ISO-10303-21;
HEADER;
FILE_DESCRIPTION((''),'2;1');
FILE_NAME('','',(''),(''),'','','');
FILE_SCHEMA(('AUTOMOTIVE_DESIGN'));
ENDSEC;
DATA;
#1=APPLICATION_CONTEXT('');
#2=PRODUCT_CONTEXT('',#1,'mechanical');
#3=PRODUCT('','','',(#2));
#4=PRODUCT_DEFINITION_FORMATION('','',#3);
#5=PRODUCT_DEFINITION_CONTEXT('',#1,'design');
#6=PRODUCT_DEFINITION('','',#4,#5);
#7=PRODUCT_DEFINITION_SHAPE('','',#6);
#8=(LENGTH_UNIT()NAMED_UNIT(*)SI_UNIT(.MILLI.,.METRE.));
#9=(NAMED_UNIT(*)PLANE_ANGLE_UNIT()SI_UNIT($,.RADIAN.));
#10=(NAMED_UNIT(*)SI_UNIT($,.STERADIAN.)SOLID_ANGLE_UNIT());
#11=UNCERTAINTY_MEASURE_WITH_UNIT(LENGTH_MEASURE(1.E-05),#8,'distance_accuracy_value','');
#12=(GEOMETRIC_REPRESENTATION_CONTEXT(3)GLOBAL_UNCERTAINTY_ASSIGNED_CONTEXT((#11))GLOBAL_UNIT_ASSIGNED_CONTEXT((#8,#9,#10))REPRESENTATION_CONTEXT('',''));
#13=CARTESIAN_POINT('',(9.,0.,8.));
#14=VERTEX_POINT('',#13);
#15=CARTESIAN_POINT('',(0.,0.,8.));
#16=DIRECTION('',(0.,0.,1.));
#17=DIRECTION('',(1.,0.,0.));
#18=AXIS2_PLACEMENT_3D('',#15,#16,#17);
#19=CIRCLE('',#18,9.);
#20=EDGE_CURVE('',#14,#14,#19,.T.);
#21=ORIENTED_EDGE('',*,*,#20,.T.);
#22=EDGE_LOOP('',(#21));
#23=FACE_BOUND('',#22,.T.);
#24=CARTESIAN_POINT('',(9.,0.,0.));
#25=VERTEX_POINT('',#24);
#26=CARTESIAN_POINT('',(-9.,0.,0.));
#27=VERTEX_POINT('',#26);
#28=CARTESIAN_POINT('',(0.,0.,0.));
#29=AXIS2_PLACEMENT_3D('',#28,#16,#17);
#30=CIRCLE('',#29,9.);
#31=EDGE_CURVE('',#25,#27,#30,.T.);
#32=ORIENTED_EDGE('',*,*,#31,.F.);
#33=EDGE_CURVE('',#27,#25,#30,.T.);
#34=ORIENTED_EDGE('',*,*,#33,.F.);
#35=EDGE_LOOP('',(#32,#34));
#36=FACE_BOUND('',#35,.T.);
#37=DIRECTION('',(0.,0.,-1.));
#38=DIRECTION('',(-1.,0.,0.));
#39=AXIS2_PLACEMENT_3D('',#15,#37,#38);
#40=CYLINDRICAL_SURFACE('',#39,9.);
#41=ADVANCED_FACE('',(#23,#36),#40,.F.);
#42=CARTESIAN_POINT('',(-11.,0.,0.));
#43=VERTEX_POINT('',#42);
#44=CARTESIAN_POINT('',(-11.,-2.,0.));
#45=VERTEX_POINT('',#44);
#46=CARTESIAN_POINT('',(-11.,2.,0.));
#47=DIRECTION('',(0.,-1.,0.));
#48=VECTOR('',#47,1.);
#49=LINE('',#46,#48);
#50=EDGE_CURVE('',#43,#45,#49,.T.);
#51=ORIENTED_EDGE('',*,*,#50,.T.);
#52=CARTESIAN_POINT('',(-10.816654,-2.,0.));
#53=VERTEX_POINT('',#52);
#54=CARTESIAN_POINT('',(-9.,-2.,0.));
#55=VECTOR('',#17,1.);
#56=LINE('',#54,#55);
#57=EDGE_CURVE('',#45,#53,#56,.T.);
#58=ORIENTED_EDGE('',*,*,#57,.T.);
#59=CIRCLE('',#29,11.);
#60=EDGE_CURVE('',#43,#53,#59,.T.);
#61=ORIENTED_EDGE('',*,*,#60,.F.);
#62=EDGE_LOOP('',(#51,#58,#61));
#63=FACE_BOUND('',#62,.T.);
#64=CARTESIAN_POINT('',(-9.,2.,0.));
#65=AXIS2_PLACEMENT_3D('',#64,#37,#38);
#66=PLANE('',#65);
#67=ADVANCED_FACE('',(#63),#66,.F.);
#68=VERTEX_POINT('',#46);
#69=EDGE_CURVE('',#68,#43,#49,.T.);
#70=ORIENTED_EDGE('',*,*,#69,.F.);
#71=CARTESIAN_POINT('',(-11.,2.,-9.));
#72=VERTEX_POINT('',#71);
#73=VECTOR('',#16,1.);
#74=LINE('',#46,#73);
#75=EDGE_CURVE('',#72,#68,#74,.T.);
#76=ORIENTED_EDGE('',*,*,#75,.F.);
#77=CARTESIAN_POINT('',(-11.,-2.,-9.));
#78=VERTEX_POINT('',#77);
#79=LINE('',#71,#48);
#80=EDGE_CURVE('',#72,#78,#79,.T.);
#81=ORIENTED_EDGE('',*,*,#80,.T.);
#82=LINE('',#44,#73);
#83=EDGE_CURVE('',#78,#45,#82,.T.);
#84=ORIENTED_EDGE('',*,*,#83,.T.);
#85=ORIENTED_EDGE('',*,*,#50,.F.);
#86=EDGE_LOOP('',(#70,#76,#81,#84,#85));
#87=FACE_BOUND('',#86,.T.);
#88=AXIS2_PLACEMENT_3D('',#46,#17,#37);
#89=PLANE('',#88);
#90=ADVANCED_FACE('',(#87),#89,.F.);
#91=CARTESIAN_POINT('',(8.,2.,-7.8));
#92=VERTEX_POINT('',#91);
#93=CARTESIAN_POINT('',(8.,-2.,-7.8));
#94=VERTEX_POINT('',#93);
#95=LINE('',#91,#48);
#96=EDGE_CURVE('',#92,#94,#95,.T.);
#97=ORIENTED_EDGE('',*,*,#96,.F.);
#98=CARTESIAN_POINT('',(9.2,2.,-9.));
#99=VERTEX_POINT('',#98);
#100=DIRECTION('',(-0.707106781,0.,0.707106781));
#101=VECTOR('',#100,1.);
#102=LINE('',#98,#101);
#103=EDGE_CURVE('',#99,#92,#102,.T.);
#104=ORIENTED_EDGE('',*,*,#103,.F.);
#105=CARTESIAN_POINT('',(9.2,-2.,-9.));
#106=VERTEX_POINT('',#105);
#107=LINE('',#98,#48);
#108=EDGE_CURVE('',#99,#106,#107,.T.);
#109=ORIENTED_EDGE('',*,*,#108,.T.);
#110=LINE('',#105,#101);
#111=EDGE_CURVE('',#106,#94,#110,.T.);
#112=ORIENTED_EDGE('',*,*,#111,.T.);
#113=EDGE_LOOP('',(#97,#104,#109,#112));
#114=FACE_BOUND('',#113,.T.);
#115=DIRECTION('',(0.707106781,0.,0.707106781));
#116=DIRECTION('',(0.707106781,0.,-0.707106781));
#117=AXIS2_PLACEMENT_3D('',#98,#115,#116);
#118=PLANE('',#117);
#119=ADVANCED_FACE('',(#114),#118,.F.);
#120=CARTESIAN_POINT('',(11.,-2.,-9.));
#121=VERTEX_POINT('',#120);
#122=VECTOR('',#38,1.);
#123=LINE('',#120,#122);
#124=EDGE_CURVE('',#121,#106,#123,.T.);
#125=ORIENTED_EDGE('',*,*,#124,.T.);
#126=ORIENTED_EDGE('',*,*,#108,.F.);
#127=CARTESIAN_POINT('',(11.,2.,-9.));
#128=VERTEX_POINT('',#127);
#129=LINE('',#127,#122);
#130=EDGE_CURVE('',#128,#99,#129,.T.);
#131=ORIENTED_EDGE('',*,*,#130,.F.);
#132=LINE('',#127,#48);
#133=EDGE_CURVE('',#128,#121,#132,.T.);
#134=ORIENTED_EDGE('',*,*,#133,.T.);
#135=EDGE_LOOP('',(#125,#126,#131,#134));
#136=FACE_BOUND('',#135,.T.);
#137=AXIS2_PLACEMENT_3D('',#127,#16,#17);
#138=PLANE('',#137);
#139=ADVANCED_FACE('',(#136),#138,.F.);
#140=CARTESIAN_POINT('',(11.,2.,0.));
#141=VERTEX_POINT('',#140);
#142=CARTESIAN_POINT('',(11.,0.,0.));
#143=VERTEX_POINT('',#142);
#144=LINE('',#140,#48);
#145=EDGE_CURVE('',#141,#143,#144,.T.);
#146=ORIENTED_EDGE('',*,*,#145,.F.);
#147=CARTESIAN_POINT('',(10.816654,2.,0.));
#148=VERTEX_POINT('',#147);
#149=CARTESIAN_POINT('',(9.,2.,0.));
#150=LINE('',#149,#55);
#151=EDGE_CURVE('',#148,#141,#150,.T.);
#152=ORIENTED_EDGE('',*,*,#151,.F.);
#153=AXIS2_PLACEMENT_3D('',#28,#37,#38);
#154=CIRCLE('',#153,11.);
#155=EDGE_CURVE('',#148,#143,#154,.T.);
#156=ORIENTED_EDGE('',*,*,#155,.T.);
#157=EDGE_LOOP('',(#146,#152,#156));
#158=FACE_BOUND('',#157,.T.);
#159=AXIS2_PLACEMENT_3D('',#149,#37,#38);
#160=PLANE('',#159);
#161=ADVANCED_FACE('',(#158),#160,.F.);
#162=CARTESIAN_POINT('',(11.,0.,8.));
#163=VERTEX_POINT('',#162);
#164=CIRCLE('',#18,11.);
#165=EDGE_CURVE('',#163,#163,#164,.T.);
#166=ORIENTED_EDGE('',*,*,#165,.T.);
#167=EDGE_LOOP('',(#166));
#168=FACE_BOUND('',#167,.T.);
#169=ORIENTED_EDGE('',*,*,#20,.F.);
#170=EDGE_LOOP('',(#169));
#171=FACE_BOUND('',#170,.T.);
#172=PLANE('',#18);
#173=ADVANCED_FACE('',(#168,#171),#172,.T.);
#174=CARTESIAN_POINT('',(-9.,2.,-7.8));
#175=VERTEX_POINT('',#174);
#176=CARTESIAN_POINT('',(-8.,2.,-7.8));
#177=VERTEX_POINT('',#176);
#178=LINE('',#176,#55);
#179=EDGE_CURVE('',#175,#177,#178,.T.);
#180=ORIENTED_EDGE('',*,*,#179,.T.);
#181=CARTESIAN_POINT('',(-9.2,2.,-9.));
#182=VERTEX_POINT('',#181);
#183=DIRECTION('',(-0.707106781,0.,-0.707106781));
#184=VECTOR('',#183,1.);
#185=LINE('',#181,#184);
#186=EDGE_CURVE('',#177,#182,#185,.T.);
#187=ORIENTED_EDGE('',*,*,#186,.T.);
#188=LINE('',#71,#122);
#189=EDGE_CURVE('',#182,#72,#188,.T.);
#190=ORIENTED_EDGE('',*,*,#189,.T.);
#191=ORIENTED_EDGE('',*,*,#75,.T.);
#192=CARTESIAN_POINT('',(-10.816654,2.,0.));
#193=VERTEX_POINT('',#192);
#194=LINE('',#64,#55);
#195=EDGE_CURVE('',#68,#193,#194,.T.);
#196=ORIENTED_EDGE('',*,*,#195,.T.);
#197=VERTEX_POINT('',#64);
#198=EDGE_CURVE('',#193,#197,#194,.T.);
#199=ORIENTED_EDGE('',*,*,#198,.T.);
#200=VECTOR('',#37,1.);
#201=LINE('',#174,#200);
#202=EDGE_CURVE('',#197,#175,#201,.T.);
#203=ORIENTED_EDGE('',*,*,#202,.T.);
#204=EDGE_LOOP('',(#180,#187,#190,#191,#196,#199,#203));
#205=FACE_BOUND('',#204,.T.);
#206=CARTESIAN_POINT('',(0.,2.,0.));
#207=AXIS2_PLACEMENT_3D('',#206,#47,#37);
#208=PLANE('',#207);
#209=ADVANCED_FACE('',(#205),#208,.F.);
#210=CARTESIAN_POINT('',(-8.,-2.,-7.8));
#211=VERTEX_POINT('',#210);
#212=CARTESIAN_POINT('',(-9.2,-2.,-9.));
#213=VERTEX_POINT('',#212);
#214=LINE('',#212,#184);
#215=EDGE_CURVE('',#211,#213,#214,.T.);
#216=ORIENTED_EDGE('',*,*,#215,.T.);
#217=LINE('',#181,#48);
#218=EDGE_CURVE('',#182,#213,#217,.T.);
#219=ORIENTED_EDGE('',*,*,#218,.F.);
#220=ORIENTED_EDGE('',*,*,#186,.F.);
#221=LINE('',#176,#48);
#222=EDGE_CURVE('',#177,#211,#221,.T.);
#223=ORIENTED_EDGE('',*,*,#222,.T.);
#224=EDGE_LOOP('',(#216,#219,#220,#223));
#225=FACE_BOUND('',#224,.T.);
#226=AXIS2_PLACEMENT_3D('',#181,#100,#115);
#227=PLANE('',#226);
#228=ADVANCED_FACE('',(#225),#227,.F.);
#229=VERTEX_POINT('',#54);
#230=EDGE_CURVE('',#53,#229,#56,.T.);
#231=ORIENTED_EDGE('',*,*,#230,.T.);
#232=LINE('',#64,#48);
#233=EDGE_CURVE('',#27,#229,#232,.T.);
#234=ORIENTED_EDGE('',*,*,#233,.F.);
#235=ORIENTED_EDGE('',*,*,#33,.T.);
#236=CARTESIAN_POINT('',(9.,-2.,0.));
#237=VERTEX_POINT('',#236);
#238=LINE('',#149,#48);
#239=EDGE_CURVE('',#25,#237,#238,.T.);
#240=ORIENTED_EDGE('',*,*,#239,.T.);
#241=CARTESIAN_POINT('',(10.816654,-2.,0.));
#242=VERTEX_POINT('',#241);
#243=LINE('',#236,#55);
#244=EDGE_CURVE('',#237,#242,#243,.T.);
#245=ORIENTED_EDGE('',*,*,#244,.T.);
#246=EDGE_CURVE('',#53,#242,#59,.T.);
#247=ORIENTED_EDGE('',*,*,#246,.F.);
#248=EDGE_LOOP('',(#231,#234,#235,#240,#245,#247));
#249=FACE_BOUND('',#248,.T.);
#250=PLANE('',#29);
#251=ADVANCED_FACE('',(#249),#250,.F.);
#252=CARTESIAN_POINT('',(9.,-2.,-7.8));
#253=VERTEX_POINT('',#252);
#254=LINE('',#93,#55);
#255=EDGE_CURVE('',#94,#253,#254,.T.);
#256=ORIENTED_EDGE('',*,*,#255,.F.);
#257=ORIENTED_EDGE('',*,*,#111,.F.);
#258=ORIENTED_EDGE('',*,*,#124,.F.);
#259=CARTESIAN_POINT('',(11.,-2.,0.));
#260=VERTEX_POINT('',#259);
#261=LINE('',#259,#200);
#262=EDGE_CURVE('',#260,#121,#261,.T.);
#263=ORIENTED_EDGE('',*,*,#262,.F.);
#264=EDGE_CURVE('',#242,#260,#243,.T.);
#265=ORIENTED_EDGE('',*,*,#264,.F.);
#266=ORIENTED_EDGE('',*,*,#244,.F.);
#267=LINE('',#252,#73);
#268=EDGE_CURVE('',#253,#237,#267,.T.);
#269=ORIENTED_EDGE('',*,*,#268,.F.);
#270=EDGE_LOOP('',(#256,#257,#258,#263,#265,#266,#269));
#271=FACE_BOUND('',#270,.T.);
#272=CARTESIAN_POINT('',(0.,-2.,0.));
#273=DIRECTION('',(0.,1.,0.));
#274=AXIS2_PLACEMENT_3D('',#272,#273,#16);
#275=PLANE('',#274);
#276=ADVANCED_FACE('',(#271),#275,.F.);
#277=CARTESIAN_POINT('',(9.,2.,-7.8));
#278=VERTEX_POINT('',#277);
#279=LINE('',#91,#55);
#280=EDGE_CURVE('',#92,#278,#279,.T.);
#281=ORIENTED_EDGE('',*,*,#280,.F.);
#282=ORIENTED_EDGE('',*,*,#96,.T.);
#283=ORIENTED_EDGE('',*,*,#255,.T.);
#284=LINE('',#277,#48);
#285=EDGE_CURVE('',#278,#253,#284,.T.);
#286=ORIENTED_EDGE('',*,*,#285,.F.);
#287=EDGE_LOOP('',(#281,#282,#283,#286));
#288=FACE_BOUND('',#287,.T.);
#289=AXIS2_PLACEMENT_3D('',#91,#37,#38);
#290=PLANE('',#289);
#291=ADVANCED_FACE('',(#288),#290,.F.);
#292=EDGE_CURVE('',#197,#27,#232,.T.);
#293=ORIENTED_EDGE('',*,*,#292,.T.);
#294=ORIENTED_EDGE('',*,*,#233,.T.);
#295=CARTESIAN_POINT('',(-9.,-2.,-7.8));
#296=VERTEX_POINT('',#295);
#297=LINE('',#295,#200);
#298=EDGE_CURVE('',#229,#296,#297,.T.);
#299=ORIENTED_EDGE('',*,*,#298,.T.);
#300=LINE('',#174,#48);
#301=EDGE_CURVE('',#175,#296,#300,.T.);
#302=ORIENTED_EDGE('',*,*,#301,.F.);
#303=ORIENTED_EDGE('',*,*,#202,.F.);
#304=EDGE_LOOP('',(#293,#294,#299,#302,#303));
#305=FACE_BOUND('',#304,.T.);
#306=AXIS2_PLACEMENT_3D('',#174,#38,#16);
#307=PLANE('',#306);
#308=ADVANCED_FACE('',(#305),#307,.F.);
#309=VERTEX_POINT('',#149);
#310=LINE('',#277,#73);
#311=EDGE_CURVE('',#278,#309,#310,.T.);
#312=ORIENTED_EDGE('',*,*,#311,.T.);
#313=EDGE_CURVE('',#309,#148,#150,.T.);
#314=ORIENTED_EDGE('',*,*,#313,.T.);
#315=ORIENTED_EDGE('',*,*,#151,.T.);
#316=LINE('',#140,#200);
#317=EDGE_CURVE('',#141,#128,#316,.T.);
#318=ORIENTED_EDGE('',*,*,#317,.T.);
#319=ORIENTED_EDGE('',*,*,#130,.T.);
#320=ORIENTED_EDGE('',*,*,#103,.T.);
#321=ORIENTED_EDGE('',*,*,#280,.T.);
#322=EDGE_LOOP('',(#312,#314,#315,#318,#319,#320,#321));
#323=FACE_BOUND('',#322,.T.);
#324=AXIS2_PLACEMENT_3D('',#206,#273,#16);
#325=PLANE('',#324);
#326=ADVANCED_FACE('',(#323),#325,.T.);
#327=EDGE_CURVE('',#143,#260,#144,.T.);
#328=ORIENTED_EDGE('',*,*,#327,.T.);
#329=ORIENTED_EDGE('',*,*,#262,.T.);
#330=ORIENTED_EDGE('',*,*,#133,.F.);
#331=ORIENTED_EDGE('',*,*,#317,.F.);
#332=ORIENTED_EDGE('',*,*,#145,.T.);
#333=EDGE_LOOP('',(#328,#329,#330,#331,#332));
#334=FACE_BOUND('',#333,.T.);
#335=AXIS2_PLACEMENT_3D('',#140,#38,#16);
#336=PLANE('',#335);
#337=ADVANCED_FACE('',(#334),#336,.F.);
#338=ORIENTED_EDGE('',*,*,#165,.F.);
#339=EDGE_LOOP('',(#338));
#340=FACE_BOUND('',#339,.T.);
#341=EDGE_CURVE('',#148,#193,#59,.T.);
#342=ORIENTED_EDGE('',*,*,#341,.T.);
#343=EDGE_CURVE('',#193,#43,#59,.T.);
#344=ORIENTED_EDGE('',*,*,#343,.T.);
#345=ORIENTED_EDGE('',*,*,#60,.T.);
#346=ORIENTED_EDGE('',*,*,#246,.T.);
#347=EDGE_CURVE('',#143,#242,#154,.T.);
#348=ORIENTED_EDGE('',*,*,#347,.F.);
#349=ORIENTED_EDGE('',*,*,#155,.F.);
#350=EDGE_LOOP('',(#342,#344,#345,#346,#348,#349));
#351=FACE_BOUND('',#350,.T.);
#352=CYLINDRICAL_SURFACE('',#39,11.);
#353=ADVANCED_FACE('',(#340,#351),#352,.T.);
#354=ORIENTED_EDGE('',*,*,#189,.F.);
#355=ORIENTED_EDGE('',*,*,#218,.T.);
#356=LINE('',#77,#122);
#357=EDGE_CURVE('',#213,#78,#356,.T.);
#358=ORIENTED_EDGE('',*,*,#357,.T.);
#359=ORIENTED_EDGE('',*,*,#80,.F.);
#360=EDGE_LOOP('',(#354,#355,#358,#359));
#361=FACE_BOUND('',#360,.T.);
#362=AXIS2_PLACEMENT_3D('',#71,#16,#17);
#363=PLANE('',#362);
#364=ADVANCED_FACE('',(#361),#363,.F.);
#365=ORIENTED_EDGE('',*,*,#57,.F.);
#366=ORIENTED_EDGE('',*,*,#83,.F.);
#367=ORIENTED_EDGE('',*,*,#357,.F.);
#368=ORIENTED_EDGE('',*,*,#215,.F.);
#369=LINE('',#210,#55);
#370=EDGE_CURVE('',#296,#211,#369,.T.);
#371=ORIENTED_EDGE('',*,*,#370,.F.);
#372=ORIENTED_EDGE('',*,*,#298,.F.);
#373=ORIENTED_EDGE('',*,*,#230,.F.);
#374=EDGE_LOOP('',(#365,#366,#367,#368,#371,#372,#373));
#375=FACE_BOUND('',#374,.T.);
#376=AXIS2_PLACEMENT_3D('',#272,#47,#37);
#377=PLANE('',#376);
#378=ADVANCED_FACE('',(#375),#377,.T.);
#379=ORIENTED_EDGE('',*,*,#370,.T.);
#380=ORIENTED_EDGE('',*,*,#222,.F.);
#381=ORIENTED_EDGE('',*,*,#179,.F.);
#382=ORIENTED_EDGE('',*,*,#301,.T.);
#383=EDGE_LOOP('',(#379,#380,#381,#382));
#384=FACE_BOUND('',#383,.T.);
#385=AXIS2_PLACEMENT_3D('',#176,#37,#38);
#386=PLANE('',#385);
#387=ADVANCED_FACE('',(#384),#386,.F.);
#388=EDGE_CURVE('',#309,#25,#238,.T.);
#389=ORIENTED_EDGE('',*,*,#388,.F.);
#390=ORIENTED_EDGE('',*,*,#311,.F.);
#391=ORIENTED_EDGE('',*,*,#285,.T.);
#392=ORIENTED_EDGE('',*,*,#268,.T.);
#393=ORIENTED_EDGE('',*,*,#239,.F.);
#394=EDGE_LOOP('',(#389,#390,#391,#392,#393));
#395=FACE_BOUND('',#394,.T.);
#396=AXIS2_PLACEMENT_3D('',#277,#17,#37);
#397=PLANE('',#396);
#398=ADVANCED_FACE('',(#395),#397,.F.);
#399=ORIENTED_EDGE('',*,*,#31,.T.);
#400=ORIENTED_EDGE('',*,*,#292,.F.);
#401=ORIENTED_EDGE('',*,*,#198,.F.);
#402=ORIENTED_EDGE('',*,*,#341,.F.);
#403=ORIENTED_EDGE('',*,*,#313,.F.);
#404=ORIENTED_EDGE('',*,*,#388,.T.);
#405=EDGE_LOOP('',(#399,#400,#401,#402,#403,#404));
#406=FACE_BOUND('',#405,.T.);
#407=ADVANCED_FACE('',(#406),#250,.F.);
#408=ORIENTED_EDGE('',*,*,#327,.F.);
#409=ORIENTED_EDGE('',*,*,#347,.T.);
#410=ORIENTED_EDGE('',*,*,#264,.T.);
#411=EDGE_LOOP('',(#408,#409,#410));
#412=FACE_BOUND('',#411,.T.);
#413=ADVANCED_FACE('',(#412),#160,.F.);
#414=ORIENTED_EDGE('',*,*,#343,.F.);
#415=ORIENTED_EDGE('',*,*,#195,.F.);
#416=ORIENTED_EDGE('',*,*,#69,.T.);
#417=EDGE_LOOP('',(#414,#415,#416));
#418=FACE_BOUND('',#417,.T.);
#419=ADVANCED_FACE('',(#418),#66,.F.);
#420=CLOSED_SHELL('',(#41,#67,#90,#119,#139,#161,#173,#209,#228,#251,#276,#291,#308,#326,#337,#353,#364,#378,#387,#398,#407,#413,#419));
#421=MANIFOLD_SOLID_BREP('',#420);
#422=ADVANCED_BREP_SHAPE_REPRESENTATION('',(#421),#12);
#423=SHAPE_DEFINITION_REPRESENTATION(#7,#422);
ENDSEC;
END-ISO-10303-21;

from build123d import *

# Parameters (mm, degrees)
SKETCH1_R           = 11
SKETCH1_R_2         = 9
BOSS_EXTRUDE1_DEPTH = 8
BOSS_EXTRUDE2_DEPTH = 2


with BuildPart() as part:
    # Sketch1 → Boss-Extrude1 (new body)
    with BuildSketch(Plane.XY):
        Circle(SKETCH1_R)
        Circle(SKETCH1_R_2, mode=Mode.SUBTRACT)
    extrude(amount=BOSS_EXTRUDE1_DEPTH)

    # Sketch2 → Boss-Extrude2 (add, symmetric)
    with BuildSketch(Plane(origin=(0, 0, 0), x_dir=(1, 0, 0), z_dir=(0, 1, 0))):
        Polygon((-11, 0), (-11, 9), (-9.2, 9), (-8, 7.8), (-9, 7.8), (-9, 0), align=None)
        Polygon((9, 0), (11, 0), (11, 9), (9.2, 9), (8, 7.8), (9, 7.8), align=None)
    extrude(amount=BOSS_EXTRUDE2_DEPTH, both=True)


solid = part.part
